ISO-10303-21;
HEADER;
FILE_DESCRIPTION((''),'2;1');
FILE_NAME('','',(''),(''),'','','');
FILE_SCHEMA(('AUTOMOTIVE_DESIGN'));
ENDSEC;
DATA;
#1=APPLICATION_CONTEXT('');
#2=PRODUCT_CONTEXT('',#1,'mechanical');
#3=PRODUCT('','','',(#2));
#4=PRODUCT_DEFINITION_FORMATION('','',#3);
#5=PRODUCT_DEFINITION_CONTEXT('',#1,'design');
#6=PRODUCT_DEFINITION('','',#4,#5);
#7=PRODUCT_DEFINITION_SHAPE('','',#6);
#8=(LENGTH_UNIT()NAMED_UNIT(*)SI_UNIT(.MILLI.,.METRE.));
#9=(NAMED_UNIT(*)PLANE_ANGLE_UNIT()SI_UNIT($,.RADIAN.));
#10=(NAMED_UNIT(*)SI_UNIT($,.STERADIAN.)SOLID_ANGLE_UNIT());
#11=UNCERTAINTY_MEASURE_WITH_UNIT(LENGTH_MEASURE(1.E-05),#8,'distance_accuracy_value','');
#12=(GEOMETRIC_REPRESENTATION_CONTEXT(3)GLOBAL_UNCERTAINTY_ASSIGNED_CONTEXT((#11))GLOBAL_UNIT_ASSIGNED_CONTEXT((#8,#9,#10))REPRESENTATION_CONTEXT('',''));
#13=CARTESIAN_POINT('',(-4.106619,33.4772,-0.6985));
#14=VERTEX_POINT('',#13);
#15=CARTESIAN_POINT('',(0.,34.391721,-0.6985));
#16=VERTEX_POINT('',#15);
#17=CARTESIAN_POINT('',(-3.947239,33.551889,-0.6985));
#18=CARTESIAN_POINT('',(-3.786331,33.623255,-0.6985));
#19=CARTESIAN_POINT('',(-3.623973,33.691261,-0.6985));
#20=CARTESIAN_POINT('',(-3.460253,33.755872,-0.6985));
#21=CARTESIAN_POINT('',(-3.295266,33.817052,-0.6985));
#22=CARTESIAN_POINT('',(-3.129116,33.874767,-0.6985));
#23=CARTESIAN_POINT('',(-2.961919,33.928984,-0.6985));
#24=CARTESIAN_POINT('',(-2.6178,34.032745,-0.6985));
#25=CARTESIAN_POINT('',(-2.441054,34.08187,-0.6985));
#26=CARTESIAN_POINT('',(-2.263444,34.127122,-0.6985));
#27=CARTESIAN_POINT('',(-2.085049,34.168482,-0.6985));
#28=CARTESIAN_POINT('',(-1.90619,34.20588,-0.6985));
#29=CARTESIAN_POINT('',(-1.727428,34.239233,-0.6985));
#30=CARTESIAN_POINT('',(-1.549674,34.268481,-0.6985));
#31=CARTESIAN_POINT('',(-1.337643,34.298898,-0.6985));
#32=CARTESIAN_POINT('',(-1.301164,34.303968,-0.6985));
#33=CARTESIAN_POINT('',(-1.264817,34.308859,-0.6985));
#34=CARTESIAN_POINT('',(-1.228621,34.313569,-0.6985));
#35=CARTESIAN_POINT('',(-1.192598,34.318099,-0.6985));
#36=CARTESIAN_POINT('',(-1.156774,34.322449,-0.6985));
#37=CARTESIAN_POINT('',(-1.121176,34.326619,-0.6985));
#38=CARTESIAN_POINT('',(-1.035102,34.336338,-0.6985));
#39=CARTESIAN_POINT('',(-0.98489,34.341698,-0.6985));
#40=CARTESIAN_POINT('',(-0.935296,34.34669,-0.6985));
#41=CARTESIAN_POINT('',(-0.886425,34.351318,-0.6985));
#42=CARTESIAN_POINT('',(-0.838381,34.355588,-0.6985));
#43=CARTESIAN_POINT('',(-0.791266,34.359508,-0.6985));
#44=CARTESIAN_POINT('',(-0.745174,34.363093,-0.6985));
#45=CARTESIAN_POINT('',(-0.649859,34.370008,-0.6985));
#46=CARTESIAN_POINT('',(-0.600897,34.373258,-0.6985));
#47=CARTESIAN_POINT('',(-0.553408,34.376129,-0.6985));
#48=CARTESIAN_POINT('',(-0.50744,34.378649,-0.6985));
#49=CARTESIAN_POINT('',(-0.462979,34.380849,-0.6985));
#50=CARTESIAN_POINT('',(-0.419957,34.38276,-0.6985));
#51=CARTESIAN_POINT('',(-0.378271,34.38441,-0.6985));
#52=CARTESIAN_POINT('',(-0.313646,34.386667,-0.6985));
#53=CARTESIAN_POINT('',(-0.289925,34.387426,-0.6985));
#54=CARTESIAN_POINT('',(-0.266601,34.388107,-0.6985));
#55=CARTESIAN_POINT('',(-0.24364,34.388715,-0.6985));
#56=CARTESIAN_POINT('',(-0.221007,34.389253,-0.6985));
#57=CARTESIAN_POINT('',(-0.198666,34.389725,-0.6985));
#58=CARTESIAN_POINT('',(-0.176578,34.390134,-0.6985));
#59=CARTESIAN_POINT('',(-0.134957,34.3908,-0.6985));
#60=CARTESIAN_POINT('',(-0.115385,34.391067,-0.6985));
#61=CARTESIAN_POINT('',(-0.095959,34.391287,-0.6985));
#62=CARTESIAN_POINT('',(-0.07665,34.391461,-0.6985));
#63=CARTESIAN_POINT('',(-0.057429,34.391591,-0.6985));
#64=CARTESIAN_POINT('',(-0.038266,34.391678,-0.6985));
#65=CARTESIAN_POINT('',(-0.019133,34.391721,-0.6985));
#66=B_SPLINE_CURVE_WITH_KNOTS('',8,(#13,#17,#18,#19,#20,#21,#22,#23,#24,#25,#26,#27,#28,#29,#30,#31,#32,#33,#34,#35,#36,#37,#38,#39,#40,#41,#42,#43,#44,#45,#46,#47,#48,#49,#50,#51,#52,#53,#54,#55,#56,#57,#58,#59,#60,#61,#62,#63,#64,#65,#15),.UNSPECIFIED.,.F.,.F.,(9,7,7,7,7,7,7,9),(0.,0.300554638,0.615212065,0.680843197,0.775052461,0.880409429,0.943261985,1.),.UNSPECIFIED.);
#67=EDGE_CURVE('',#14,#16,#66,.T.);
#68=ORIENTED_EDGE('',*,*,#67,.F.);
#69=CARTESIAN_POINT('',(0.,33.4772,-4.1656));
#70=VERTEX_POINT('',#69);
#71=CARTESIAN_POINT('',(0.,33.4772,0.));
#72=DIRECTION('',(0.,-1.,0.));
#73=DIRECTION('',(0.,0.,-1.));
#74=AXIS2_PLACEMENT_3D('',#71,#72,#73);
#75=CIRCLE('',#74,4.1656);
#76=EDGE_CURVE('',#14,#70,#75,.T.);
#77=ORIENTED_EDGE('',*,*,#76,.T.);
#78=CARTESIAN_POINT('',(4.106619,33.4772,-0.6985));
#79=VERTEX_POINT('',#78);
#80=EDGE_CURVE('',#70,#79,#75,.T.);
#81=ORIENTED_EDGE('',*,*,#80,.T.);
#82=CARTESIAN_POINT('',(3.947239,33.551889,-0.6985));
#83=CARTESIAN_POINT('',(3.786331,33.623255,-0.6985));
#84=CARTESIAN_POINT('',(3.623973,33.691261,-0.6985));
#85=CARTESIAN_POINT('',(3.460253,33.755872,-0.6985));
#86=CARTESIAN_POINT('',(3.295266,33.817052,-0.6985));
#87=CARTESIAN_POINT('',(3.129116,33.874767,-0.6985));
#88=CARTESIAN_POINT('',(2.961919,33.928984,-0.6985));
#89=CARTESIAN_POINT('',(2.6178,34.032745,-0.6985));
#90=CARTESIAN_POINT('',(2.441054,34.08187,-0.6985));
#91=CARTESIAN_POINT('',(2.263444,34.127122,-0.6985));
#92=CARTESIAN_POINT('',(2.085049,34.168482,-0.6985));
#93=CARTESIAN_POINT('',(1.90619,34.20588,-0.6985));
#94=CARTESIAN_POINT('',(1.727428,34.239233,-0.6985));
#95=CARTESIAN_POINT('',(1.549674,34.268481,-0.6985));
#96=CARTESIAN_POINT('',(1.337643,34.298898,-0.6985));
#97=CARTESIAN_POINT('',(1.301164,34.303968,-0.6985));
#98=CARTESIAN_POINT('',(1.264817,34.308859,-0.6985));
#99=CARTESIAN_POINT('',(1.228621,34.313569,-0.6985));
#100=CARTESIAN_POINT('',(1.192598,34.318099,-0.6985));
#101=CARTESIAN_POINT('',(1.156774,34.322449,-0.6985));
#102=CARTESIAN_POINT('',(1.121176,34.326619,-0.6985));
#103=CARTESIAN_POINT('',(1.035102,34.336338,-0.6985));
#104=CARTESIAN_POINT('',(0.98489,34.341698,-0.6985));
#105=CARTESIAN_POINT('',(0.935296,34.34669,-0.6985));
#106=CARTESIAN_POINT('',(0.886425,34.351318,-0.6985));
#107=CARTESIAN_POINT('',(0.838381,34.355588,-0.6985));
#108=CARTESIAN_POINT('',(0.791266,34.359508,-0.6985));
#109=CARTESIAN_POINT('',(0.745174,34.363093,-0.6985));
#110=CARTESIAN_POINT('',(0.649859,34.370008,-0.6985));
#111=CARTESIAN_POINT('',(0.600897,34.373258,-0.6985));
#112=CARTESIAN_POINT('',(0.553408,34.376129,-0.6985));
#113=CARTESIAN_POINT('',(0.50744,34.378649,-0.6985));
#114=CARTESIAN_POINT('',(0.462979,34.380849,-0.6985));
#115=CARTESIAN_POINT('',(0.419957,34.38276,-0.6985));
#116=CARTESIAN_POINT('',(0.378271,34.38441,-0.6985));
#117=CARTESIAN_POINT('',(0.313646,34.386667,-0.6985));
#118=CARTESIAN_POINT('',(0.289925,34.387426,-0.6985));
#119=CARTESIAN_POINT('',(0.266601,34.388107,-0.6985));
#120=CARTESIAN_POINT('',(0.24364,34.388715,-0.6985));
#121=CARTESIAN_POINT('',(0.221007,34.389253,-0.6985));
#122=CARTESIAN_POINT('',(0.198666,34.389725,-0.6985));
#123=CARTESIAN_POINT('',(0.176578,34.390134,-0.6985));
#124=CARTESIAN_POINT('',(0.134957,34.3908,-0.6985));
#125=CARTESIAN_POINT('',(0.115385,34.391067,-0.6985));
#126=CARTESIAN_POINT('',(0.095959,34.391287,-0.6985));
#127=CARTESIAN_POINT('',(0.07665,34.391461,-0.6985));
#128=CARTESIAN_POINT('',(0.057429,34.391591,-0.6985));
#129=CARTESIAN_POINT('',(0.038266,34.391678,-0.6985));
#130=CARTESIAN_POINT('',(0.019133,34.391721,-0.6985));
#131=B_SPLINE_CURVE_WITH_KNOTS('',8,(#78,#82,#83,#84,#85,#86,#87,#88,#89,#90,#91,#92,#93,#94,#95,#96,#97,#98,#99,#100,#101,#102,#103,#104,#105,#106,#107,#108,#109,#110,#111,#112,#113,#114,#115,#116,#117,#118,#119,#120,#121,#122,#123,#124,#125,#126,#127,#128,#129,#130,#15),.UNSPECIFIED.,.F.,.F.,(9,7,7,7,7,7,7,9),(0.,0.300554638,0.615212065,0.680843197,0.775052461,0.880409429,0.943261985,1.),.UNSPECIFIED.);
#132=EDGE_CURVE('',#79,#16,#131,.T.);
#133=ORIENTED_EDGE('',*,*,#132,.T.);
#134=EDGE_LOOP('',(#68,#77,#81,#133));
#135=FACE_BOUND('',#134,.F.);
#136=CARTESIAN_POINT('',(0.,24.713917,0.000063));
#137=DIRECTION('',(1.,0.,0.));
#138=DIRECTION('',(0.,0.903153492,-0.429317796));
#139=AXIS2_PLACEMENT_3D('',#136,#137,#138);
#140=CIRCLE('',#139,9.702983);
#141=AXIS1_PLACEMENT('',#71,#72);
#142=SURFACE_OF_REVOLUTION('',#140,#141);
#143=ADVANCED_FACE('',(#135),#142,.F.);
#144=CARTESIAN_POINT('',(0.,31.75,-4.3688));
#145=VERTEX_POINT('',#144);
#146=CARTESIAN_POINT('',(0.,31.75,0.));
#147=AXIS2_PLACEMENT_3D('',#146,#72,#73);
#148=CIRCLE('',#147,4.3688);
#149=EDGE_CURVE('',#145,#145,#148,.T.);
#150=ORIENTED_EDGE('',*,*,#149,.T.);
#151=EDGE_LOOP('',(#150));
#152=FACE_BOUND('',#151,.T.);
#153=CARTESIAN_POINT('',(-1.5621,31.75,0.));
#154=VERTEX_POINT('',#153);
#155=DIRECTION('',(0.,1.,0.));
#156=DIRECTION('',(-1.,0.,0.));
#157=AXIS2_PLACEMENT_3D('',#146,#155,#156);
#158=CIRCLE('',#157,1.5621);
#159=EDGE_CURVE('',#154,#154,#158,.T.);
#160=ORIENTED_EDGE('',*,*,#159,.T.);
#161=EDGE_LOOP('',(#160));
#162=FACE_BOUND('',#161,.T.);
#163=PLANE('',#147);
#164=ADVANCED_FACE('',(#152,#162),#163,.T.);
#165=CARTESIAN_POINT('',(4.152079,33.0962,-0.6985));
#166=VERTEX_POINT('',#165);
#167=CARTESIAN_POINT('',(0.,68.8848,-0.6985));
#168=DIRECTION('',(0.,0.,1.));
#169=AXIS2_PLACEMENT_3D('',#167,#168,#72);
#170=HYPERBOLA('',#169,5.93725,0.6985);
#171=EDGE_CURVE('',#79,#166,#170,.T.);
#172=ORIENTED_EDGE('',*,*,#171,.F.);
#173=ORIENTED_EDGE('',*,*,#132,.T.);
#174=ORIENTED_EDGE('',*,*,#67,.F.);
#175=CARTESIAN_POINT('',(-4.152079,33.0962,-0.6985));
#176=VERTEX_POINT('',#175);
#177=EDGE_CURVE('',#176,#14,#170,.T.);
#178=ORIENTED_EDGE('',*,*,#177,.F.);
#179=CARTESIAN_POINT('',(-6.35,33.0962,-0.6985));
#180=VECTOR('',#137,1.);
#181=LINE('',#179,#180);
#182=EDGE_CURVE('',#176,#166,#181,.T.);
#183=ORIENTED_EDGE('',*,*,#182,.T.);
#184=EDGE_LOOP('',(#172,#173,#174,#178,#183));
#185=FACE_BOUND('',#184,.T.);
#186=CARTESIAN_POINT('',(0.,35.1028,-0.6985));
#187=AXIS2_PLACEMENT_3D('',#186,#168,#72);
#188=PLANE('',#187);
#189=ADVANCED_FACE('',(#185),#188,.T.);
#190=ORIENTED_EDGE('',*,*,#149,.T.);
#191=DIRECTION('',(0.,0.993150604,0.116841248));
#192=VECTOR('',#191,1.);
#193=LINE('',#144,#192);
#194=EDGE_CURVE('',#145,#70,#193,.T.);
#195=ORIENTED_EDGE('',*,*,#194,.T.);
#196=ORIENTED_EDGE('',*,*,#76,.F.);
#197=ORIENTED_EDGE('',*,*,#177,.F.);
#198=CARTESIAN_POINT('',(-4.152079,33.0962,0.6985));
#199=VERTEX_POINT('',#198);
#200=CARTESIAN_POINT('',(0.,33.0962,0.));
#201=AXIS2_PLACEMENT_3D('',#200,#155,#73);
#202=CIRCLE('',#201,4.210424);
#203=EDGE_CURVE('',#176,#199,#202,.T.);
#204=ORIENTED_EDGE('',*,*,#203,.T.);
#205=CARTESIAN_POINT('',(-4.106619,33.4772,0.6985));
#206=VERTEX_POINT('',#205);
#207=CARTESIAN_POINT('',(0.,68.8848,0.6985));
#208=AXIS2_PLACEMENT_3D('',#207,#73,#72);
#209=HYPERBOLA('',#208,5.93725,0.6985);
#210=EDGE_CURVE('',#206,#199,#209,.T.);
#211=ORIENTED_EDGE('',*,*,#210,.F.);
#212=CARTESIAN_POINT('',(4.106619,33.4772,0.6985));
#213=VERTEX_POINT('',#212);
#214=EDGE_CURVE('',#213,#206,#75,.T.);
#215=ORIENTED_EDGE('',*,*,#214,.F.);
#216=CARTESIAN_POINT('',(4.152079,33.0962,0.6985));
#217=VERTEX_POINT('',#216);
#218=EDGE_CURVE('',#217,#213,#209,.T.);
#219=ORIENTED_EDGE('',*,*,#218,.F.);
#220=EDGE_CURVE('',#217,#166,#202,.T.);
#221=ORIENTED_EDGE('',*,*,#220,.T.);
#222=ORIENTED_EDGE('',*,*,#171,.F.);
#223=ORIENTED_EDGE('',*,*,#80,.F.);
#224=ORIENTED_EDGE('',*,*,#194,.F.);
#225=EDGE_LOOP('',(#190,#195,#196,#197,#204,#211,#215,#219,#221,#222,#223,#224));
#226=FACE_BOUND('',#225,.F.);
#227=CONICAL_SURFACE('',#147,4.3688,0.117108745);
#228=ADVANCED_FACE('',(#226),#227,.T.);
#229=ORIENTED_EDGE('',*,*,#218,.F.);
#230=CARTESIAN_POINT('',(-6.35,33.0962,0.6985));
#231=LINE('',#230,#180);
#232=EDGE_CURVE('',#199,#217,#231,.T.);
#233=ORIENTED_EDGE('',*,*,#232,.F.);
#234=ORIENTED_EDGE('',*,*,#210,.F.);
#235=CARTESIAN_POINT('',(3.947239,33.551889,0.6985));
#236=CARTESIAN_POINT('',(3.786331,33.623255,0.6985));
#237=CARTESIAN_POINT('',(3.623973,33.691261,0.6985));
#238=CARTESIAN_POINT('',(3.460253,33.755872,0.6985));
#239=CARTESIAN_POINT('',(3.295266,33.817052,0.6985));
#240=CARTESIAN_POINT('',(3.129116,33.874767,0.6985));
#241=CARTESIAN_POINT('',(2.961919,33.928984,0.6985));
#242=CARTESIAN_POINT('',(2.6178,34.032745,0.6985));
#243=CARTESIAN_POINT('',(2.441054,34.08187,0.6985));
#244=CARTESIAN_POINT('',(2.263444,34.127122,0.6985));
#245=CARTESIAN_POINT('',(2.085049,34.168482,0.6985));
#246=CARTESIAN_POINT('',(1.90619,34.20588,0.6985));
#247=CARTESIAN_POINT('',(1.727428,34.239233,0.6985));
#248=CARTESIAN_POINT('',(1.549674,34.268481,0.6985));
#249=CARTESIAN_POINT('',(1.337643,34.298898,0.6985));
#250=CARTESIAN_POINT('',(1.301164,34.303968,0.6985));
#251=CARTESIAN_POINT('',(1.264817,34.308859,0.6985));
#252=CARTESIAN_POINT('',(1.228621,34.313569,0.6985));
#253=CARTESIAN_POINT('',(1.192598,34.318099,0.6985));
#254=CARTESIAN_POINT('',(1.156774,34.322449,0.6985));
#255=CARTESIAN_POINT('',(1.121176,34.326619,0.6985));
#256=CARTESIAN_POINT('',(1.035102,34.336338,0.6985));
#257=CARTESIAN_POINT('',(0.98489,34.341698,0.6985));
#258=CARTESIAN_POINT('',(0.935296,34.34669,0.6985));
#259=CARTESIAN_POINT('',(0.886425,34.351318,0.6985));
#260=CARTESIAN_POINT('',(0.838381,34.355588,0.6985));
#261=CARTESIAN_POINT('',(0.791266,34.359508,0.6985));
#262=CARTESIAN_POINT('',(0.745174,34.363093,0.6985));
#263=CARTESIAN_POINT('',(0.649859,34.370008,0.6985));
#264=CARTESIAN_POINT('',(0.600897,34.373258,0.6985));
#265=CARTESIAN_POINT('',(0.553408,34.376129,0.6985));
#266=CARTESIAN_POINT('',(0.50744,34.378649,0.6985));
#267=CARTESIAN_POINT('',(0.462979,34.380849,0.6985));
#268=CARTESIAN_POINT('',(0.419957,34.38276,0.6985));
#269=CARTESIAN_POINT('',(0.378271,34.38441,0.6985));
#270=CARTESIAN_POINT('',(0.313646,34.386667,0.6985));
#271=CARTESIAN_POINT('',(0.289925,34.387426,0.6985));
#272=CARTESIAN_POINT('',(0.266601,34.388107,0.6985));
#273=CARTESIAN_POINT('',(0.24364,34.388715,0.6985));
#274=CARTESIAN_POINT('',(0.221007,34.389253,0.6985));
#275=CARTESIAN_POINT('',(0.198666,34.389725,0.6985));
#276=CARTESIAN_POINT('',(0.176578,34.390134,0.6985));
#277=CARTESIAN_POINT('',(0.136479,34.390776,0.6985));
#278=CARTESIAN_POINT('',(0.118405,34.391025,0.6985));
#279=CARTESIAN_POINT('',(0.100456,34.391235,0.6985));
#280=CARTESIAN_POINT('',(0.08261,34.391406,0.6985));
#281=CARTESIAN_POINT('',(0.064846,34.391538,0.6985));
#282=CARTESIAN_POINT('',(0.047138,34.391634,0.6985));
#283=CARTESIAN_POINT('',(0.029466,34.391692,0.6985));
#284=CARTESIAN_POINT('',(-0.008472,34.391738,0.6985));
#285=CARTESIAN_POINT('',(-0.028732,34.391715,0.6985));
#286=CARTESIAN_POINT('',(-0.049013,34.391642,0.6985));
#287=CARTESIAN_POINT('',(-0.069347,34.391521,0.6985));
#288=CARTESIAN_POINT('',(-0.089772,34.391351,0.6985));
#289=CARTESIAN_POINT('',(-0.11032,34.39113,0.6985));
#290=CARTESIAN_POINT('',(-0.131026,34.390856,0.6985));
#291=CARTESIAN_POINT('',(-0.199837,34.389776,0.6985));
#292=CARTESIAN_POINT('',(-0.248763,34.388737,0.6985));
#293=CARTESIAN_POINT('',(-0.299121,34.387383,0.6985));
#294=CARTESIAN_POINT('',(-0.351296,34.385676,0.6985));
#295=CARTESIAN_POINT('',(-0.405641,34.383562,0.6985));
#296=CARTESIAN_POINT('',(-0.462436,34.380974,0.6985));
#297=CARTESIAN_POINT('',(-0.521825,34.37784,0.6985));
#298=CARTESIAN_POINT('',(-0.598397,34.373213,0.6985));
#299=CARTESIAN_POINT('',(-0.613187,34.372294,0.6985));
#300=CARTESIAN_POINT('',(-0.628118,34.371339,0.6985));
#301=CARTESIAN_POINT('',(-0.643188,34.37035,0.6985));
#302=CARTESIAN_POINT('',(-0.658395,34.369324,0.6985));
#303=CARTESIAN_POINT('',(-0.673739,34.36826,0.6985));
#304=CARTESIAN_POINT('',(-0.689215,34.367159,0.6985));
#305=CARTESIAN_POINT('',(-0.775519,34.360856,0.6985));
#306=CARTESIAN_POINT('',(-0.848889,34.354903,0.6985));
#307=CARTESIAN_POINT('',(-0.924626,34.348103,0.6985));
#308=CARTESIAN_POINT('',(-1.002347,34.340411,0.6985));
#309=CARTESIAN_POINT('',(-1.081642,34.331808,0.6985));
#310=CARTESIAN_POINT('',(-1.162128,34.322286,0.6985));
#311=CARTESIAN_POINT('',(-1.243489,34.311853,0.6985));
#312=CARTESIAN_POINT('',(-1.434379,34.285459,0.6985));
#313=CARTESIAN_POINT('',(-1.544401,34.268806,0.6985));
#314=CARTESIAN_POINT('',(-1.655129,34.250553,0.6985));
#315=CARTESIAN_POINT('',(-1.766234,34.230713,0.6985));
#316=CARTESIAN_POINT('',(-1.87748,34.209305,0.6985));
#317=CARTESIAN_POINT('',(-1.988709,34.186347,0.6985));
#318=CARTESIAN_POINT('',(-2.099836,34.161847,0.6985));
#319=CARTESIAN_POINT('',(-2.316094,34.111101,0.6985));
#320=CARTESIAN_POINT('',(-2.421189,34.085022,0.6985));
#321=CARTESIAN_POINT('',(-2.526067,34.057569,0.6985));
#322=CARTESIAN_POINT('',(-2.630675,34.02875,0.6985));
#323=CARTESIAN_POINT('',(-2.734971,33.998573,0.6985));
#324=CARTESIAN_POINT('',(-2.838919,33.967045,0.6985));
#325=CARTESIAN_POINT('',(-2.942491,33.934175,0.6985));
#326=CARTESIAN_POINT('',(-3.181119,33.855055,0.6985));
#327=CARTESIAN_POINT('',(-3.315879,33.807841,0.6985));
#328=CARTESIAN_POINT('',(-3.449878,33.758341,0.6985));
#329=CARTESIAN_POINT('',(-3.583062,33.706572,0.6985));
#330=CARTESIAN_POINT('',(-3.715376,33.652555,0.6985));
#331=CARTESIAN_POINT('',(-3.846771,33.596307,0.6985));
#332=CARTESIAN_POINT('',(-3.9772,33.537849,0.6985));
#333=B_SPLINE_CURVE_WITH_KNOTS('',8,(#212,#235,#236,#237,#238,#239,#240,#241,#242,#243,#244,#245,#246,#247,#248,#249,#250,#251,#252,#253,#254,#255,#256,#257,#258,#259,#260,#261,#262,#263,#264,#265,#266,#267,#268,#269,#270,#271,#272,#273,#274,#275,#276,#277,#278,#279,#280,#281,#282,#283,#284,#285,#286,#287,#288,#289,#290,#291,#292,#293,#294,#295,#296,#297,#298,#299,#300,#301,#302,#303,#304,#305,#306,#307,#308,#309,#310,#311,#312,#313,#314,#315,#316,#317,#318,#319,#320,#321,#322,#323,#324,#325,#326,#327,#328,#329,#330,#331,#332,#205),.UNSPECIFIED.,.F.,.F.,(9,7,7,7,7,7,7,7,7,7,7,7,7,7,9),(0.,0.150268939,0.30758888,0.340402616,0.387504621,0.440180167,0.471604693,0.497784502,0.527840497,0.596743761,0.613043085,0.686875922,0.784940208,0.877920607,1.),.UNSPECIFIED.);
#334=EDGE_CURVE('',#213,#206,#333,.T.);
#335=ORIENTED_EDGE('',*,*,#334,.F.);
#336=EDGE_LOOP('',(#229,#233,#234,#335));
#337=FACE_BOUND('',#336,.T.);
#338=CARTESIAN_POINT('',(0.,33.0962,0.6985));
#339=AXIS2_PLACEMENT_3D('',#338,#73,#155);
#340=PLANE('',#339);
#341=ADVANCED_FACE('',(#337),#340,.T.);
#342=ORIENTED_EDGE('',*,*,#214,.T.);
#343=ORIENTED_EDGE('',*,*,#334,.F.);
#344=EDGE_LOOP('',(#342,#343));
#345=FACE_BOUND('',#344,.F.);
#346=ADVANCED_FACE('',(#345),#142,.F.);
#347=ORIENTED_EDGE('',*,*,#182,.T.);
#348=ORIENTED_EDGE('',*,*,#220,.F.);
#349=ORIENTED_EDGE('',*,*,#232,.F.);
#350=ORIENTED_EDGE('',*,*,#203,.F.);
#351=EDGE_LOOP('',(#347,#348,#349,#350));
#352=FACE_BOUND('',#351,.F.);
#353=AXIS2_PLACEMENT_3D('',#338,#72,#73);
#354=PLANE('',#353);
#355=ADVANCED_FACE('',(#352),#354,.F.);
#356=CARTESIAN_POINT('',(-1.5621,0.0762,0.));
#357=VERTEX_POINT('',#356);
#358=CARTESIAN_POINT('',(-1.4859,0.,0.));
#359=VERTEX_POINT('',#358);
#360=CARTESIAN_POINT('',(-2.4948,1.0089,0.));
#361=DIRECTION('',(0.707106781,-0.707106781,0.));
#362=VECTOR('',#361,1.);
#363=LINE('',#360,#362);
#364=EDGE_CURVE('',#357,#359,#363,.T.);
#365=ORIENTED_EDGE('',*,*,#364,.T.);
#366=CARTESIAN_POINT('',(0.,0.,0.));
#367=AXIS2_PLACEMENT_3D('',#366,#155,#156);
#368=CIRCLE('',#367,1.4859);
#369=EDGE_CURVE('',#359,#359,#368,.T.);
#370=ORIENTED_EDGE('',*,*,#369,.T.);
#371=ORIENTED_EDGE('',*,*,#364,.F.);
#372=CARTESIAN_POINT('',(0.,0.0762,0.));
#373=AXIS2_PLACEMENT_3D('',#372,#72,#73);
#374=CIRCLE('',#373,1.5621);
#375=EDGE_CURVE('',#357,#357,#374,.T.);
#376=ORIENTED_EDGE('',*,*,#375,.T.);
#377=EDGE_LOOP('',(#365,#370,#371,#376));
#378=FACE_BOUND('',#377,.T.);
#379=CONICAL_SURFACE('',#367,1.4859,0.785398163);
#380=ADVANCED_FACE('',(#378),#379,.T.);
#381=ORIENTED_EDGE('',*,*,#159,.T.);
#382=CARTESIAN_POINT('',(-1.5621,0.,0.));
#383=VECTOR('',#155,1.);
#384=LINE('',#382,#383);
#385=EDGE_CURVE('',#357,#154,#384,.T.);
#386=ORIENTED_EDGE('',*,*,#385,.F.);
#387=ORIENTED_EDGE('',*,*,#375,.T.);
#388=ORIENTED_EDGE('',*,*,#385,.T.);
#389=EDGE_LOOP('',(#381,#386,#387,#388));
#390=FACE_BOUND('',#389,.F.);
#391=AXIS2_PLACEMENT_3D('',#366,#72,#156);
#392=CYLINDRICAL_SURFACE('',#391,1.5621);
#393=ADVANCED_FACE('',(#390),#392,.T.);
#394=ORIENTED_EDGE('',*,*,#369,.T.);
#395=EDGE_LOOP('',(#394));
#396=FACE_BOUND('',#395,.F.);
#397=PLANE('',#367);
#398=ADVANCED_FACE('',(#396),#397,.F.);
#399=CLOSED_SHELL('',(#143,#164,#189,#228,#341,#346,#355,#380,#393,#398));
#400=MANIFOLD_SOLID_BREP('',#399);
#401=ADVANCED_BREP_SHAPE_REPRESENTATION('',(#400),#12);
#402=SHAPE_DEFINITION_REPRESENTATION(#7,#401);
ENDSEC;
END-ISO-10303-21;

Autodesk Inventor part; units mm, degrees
ref_plane "YZ Plane" through (0, 0, 0) normal (1, 0, 0) x (0, 1, 0)
ref_plane "XZ Plane" through (0, 0, 0) normal (0, 1, 0) x (-1, 0, 0)
ref_plane "XY Plane" through (0, 0, 0) normal (0, 0, 1) x (1, 0, 0)
sketch "Sketch1" plane through (0, 0, 0) normal (0, 1, 0) x (-1, 0, 0)
  circle A0 centre (0, 0) radius 1.5621
  dimension "d4" = 3.1242
extrude "Body" add sketch "Sketch1" along normal blind 31.75
sketch "Sketch2" plane through (0, 0, 0) normal (1, 0, 0) x (0, 1, 0)
  line L0 (31.75, -1.5621) -> (31.75, 1.5621) projected
  line L1 (31.75, 0) -> (31.75, -4.3688)
  line L2 (33.4772, 0) -> (31.75, 0)
  line L3 (33.4772, 0) -> (33.4772, -4.1656)
  arc A0 (33.4772, -4.1656) -> (34.4169, 0) centre (24.7141, 0) ccw
  line L4 (31.75, -4.3688) -> (33.4772, -4.1656)
  line L5 (33.4772, 0) -> (34.4169, 0)
  point P0 (0, 0)
  dimension "d5" = 4.3688
  dimension "d13" = 1.7272
  dimension "d57" = 4.1656
  dimension "d58" = 9.7028
  dimension "d59" = 0
revolve "Head" add sketch "Sketch2" angle 360 about axis through (0, 33.4772, 0) along (0, -1, 0)
sketch "Sketch6" plane through (0, 0, 0) normal (0, 0, 1) x (1, 0, 0)
  line L0 (0, 0) -> (-1.4859, 0)
  line L1 (1.5621, 0) -> (-1.5621, 0) projected
  line L2 (-1.4859, 0) -> (-2.4948, 1.0089)
  line L3 (-2.4948, 1.0089) -> (-2.9651, -1.2188)
  line L4 (-2.9651, -1.2188) -> (-1.4859, -1.2188)
  line L5 (-1.5621, 0) -> (-1.5621, 31.75) projected
  line L6 (-1.4859, -1.2188) -> (-1.4859, 0)
  line L7 (0, -3.9171) -> (0, 14.9707) projected
  point P0 (-1.5621, 0.0762)
  dimension "d49" = 1.4859
  dimension "d50" = 135
revolve "Tapered End" cut sketch "Sketch6" angle 360 about axis through (0, -10, 0) along (0, 1, 0)
sketch "Sketch7" plane through (0, 0, 0) normal (1, 0, 0) x (0, 1, 0)
  line L0 (31.75, 4.3688) -> (31.75, -4.3688) projected
  line L1 (33.0962, 0.6985) -> (33.0962, -0.6985)
  line L2 (33.0962, 0.6985) -> (35.1028, 0.6985)
  line L3 (35.1028, 0.6985) -> (35.1028, -0.6985)
  line L4 (35.1028, -0.6985) -> (33.0962, -0.6985)
  point P0 (0, 0)
  dimension "d61" = 1.397
  dimension "d62" = 0.6985
  dimension "d65" = 33.0962
  dimension "d66" = 2.0066
extrude "Flathead" cut sketch "Sketch7" against normal mid plane 12.7
properties part number "Screw 8-32 Nylon 1.250" material "VEX Nylon"
